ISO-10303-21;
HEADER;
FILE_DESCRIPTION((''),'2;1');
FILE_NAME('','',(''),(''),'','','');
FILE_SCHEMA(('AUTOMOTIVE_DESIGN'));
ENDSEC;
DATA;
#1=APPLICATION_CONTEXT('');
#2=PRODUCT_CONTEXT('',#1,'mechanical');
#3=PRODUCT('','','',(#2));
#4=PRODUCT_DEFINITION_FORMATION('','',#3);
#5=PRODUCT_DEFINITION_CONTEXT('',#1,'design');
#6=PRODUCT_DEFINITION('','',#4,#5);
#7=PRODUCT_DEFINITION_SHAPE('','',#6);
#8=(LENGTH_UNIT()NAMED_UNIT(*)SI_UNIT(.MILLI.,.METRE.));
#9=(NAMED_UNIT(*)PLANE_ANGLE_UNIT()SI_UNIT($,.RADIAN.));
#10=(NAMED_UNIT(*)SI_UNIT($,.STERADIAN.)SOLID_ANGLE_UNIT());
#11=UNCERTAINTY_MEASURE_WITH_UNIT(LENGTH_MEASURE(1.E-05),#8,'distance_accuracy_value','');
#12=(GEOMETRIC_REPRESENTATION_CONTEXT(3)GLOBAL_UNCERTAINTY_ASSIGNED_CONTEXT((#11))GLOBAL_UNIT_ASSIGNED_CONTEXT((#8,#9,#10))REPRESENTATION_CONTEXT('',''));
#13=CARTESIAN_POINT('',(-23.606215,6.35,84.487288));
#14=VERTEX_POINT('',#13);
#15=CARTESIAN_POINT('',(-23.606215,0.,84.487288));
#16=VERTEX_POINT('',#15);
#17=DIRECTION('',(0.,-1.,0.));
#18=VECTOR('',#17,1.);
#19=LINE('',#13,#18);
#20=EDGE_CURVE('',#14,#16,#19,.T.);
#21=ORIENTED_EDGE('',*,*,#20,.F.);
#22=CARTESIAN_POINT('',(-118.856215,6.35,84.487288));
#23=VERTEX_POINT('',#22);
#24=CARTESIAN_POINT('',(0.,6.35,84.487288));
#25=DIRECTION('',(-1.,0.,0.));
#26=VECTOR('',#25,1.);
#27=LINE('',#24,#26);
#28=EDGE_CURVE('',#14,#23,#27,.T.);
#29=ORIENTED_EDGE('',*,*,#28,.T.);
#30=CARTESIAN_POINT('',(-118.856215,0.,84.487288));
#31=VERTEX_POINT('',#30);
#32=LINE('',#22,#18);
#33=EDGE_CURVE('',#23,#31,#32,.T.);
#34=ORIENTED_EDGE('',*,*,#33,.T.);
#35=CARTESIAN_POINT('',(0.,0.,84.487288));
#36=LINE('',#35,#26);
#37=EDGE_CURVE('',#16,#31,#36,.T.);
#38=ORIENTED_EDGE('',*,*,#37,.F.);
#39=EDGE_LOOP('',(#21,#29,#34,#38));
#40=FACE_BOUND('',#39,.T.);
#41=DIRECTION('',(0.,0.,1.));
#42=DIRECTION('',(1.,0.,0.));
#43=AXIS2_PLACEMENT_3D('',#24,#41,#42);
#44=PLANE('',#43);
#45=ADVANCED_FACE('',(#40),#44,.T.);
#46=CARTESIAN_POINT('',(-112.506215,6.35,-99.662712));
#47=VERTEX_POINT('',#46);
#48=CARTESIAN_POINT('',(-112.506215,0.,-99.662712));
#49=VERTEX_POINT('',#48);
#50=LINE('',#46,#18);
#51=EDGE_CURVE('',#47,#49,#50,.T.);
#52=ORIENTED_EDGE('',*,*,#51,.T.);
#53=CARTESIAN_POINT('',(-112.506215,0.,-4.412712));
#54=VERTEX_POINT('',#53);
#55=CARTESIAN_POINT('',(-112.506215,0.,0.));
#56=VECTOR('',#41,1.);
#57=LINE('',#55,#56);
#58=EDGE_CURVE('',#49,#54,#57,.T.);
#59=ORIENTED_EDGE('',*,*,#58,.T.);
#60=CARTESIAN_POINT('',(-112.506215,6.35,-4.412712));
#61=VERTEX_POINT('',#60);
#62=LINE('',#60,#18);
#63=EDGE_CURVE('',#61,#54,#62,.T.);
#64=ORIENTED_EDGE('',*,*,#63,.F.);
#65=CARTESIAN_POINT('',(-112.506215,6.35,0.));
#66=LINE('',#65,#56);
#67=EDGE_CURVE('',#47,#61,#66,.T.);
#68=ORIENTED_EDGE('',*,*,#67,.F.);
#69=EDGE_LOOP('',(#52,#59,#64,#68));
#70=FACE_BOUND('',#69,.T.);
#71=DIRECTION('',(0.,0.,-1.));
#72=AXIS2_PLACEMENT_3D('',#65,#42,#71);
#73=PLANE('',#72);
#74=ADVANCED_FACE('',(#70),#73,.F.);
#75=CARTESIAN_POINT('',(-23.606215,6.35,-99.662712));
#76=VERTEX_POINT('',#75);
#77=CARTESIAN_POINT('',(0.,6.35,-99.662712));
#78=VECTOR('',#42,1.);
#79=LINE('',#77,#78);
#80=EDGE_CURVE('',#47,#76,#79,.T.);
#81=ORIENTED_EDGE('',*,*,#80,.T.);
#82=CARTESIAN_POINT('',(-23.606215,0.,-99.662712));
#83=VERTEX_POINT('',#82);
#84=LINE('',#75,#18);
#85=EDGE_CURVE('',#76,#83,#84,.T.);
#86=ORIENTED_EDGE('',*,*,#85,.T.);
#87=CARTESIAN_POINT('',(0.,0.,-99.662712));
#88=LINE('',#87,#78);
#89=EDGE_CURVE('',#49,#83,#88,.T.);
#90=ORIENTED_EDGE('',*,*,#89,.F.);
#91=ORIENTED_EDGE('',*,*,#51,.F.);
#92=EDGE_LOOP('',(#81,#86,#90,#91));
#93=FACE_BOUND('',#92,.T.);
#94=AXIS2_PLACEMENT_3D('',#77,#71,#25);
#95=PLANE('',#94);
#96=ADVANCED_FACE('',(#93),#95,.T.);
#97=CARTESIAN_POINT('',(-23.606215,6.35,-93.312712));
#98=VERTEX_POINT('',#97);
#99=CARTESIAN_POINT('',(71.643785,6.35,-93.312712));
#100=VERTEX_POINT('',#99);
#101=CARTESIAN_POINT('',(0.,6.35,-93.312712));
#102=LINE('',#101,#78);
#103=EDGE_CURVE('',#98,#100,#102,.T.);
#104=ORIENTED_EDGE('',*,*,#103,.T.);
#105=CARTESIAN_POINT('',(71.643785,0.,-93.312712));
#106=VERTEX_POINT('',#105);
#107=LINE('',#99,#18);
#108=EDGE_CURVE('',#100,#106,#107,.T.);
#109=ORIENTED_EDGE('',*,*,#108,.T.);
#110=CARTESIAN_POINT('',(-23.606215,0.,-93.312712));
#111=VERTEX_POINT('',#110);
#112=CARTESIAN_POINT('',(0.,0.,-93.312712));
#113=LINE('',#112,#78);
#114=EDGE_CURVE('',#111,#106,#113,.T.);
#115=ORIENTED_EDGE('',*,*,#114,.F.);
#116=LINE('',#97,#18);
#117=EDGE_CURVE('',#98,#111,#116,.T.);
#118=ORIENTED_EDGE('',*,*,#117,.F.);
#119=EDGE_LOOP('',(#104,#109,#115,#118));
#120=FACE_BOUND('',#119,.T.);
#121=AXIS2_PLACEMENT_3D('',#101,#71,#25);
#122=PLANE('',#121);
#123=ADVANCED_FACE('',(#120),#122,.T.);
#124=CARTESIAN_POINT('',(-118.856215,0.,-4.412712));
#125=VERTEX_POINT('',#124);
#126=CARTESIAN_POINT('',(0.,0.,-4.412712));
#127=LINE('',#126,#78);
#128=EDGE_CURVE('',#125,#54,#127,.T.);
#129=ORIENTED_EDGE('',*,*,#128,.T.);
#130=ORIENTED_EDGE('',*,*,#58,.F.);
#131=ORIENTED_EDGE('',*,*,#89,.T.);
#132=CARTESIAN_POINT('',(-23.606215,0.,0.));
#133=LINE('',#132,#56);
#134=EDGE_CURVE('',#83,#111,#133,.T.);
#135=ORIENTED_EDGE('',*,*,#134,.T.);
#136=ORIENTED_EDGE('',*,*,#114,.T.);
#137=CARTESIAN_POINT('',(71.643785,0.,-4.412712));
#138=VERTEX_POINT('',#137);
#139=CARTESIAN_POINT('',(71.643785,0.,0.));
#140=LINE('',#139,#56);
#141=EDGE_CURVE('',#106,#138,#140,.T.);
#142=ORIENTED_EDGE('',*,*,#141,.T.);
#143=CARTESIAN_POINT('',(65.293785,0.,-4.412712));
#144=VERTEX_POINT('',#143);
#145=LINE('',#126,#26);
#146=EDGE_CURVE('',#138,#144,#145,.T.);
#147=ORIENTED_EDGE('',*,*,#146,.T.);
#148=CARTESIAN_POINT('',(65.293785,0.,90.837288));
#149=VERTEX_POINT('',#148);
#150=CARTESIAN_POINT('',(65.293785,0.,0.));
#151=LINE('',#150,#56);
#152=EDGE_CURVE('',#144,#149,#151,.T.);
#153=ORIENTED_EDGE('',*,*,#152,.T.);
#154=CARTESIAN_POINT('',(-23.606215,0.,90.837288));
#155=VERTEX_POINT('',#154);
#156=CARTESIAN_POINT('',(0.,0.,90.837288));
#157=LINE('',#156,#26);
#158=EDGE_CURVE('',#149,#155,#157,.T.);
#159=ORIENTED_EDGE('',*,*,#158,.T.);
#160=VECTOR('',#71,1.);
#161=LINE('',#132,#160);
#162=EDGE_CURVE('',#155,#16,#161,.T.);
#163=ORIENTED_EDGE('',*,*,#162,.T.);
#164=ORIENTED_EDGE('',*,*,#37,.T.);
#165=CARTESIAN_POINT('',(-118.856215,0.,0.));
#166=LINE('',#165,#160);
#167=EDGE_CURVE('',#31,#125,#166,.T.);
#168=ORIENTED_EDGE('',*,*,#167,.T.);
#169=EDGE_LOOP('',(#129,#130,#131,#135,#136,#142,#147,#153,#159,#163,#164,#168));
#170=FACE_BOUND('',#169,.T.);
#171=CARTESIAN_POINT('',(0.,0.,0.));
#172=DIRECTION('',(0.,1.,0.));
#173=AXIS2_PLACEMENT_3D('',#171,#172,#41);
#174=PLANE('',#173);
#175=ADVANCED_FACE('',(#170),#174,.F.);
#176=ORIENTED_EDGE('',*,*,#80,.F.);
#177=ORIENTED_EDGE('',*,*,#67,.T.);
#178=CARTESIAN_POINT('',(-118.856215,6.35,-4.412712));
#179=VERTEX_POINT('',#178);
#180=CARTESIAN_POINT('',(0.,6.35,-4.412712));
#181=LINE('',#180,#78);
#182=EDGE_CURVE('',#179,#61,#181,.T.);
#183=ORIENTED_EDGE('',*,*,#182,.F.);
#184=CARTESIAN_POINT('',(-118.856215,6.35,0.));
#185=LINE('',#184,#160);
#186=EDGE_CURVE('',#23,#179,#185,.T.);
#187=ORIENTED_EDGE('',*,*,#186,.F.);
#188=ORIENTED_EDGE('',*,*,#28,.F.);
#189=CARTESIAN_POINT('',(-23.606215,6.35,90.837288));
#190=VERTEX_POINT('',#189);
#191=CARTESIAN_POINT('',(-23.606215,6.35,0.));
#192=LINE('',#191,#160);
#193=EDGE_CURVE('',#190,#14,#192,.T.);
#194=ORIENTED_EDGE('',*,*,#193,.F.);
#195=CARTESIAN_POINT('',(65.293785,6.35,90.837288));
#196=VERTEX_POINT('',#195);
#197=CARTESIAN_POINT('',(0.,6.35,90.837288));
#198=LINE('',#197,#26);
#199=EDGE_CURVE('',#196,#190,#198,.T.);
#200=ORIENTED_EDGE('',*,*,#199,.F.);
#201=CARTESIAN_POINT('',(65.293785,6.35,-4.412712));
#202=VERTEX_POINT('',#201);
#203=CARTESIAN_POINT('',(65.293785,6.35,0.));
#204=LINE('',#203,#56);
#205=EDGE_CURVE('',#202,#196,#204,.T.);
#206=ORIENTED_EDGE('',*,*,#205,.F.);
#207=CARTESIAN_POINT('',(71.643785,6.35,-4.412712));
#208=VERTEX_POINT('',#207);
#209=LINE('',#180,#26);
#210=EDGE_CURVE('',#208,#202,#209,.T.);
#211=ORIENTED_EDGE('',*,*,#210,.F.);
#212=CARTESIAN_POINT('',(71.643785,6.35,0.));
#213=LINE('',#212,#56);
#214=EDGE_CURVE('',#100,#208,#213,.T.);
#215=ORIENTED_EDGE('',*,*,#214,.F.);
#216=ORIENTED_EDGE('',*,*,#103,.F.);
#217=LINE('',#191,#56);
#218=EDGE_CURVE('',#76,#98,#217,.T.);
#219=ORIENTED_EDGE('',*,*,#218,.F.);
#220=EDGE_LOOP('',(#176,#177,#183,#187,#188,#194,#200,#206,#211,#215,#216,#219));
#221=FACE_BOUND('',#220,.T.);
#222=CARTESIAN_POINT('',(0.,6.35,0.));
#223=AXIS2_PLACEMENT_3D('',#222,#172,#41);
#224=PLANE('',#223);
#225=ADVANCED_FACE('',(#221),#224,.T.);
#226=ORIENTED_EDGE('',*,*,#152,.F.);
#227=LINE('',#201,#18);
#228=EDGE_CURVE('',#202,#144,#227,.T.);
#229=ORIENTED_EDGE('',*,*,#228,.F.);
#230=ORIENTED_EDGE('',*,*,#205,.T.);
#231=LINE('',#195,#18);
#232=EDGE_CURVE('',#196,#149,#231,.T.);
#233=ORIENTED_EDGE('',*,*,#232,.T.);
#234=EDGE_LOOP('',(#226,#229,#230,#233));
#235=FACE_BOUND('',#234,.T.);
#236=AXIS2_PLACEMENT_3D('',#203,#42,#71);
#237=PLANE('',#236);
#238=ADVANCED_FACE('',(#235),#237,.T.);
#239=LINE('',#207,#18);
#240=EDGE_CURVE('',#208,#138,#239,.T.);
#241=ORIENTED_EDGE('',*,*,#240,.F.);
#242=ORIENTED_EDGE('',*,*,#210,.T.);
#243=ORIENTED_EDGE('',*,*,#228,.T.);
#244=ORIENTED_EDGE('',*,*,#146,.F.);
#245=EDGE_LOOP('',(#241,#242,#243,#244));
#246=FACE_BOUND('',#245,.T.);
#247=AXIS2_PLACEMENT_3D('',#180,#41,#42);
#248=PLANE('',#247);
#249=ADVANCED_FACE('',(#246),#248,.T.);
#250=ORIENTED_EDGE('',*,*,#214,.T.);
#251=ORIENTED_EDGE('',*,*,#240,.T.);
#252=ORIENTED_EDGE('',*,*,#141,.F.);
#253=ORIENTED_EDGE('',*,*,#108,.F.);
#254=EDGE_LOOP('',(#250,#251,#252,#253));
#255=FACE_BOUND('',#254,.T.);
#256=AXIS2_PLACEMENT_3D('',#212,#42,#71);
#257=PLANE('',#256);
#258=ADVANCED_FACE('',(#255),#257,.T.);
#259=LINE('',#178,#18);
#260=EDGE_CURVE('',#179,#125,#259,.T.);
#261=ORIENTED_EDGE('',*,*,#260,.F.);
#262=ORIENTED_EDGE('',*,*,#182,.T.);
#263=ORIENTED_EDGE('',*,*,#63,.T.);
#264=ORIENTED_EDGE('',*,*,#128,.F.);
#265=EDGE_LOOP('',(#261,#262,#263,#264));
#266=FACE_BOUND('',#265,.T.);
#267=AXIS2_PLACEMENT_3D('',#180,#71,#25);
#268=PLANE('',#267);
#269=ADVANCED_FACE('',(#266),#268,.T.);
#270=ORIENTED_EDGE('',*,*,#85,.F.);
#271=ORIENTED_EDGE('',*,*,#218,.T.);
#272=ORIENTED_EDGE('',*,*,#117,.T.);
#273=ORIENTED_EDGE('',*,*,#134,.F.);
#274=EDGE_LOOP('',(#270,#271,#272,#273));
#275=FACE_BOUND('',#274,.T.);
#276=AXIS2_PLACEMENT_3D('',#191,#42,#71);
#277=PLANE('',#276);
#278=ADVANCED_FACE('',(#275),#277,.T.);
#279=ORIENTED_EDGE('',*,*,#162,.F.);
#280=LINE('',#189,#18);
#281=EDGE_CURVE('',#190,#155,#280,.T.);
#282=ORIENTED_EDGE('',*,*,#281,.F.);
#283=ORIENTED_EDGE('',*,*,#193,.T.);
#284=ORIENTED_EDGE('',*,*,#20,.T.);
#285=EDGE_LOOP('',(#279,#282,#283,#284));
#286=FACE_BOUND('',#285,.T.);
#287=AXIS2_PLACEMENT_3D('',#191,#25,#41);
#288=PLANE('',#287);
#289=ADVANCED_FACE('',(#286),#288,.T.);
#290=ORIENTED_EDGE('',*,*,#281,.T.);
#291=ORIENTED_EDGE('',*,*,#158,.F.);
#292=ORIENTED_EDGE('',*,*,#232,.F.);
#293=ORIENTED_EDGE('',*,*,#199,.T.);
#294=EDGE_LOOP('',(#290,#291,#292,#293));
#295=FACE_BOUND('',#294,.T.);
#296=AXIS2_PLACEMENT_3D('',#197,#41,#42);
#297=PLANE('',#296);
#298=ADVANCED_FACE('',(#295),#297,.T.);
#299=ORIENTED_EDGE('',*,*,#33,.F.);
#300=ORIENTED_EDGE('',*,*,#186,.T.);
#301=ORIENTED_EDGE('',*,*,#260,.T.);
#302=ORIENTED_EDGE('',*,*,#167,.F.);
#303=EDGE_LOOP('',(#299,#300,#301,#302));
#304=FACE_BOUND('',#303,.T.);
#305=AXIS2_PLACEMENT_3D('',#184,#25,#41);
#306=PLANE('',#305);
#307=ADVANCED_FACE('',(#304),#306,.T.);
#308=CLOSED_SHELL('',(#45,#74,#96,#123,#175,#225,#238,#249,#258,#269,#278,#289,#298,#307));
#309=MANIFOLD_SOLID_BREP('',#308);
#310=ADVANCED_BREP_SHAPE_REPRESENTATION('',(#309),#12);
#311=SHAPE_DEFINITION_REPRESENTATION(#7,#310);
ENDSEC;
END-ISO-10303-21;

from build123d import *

# Parameters (mm, degrees)
SKETCH1_W           = 6.35
SKETCH1_H           = 88.9
SKETCH1_W_2         = 88.9
SKETCH1_H_2         = 6.35
SKETCH1_W_3         = 177.8
SKETCH1_H_3         = 177.8
BOSS_EXTRUDE1_DEPTH = 6.35


with BuildPart() as part:
    # Sketch1 → Boss-Extrude1 (new body)
    with BuildSketch(Plane(origin=(0, 0, 0), x_dir=(1, 0, 0), z_dir=(0, 1, 0))):
        with Locations((-115.681214689, -40.037288136)):
            Rectangle(SKETCH1_W, SKETCH1_H)
        with Locations((-68.056214689, 96.487711864)):
            Rectangle(SKETCH1_W_2, SKETCH1_H_2)
        with Locations((-23.606214689, 4.412711864)):
            Rectangle(SKETCH1_W_3, SKETCH1_H_3)
        with Locations((68.468785311, 48.862711864)):
            Rectangle(SKETCH1_W, SKETCH1_H)
        with Locations((20.843785311, -87.662288136)):
            Rectangle(SKETCH1_W_2, SKETCH1_H_2)
    extrude(amount=BOSS_EXTRUDE1_DEPTH)


solid = part.part
